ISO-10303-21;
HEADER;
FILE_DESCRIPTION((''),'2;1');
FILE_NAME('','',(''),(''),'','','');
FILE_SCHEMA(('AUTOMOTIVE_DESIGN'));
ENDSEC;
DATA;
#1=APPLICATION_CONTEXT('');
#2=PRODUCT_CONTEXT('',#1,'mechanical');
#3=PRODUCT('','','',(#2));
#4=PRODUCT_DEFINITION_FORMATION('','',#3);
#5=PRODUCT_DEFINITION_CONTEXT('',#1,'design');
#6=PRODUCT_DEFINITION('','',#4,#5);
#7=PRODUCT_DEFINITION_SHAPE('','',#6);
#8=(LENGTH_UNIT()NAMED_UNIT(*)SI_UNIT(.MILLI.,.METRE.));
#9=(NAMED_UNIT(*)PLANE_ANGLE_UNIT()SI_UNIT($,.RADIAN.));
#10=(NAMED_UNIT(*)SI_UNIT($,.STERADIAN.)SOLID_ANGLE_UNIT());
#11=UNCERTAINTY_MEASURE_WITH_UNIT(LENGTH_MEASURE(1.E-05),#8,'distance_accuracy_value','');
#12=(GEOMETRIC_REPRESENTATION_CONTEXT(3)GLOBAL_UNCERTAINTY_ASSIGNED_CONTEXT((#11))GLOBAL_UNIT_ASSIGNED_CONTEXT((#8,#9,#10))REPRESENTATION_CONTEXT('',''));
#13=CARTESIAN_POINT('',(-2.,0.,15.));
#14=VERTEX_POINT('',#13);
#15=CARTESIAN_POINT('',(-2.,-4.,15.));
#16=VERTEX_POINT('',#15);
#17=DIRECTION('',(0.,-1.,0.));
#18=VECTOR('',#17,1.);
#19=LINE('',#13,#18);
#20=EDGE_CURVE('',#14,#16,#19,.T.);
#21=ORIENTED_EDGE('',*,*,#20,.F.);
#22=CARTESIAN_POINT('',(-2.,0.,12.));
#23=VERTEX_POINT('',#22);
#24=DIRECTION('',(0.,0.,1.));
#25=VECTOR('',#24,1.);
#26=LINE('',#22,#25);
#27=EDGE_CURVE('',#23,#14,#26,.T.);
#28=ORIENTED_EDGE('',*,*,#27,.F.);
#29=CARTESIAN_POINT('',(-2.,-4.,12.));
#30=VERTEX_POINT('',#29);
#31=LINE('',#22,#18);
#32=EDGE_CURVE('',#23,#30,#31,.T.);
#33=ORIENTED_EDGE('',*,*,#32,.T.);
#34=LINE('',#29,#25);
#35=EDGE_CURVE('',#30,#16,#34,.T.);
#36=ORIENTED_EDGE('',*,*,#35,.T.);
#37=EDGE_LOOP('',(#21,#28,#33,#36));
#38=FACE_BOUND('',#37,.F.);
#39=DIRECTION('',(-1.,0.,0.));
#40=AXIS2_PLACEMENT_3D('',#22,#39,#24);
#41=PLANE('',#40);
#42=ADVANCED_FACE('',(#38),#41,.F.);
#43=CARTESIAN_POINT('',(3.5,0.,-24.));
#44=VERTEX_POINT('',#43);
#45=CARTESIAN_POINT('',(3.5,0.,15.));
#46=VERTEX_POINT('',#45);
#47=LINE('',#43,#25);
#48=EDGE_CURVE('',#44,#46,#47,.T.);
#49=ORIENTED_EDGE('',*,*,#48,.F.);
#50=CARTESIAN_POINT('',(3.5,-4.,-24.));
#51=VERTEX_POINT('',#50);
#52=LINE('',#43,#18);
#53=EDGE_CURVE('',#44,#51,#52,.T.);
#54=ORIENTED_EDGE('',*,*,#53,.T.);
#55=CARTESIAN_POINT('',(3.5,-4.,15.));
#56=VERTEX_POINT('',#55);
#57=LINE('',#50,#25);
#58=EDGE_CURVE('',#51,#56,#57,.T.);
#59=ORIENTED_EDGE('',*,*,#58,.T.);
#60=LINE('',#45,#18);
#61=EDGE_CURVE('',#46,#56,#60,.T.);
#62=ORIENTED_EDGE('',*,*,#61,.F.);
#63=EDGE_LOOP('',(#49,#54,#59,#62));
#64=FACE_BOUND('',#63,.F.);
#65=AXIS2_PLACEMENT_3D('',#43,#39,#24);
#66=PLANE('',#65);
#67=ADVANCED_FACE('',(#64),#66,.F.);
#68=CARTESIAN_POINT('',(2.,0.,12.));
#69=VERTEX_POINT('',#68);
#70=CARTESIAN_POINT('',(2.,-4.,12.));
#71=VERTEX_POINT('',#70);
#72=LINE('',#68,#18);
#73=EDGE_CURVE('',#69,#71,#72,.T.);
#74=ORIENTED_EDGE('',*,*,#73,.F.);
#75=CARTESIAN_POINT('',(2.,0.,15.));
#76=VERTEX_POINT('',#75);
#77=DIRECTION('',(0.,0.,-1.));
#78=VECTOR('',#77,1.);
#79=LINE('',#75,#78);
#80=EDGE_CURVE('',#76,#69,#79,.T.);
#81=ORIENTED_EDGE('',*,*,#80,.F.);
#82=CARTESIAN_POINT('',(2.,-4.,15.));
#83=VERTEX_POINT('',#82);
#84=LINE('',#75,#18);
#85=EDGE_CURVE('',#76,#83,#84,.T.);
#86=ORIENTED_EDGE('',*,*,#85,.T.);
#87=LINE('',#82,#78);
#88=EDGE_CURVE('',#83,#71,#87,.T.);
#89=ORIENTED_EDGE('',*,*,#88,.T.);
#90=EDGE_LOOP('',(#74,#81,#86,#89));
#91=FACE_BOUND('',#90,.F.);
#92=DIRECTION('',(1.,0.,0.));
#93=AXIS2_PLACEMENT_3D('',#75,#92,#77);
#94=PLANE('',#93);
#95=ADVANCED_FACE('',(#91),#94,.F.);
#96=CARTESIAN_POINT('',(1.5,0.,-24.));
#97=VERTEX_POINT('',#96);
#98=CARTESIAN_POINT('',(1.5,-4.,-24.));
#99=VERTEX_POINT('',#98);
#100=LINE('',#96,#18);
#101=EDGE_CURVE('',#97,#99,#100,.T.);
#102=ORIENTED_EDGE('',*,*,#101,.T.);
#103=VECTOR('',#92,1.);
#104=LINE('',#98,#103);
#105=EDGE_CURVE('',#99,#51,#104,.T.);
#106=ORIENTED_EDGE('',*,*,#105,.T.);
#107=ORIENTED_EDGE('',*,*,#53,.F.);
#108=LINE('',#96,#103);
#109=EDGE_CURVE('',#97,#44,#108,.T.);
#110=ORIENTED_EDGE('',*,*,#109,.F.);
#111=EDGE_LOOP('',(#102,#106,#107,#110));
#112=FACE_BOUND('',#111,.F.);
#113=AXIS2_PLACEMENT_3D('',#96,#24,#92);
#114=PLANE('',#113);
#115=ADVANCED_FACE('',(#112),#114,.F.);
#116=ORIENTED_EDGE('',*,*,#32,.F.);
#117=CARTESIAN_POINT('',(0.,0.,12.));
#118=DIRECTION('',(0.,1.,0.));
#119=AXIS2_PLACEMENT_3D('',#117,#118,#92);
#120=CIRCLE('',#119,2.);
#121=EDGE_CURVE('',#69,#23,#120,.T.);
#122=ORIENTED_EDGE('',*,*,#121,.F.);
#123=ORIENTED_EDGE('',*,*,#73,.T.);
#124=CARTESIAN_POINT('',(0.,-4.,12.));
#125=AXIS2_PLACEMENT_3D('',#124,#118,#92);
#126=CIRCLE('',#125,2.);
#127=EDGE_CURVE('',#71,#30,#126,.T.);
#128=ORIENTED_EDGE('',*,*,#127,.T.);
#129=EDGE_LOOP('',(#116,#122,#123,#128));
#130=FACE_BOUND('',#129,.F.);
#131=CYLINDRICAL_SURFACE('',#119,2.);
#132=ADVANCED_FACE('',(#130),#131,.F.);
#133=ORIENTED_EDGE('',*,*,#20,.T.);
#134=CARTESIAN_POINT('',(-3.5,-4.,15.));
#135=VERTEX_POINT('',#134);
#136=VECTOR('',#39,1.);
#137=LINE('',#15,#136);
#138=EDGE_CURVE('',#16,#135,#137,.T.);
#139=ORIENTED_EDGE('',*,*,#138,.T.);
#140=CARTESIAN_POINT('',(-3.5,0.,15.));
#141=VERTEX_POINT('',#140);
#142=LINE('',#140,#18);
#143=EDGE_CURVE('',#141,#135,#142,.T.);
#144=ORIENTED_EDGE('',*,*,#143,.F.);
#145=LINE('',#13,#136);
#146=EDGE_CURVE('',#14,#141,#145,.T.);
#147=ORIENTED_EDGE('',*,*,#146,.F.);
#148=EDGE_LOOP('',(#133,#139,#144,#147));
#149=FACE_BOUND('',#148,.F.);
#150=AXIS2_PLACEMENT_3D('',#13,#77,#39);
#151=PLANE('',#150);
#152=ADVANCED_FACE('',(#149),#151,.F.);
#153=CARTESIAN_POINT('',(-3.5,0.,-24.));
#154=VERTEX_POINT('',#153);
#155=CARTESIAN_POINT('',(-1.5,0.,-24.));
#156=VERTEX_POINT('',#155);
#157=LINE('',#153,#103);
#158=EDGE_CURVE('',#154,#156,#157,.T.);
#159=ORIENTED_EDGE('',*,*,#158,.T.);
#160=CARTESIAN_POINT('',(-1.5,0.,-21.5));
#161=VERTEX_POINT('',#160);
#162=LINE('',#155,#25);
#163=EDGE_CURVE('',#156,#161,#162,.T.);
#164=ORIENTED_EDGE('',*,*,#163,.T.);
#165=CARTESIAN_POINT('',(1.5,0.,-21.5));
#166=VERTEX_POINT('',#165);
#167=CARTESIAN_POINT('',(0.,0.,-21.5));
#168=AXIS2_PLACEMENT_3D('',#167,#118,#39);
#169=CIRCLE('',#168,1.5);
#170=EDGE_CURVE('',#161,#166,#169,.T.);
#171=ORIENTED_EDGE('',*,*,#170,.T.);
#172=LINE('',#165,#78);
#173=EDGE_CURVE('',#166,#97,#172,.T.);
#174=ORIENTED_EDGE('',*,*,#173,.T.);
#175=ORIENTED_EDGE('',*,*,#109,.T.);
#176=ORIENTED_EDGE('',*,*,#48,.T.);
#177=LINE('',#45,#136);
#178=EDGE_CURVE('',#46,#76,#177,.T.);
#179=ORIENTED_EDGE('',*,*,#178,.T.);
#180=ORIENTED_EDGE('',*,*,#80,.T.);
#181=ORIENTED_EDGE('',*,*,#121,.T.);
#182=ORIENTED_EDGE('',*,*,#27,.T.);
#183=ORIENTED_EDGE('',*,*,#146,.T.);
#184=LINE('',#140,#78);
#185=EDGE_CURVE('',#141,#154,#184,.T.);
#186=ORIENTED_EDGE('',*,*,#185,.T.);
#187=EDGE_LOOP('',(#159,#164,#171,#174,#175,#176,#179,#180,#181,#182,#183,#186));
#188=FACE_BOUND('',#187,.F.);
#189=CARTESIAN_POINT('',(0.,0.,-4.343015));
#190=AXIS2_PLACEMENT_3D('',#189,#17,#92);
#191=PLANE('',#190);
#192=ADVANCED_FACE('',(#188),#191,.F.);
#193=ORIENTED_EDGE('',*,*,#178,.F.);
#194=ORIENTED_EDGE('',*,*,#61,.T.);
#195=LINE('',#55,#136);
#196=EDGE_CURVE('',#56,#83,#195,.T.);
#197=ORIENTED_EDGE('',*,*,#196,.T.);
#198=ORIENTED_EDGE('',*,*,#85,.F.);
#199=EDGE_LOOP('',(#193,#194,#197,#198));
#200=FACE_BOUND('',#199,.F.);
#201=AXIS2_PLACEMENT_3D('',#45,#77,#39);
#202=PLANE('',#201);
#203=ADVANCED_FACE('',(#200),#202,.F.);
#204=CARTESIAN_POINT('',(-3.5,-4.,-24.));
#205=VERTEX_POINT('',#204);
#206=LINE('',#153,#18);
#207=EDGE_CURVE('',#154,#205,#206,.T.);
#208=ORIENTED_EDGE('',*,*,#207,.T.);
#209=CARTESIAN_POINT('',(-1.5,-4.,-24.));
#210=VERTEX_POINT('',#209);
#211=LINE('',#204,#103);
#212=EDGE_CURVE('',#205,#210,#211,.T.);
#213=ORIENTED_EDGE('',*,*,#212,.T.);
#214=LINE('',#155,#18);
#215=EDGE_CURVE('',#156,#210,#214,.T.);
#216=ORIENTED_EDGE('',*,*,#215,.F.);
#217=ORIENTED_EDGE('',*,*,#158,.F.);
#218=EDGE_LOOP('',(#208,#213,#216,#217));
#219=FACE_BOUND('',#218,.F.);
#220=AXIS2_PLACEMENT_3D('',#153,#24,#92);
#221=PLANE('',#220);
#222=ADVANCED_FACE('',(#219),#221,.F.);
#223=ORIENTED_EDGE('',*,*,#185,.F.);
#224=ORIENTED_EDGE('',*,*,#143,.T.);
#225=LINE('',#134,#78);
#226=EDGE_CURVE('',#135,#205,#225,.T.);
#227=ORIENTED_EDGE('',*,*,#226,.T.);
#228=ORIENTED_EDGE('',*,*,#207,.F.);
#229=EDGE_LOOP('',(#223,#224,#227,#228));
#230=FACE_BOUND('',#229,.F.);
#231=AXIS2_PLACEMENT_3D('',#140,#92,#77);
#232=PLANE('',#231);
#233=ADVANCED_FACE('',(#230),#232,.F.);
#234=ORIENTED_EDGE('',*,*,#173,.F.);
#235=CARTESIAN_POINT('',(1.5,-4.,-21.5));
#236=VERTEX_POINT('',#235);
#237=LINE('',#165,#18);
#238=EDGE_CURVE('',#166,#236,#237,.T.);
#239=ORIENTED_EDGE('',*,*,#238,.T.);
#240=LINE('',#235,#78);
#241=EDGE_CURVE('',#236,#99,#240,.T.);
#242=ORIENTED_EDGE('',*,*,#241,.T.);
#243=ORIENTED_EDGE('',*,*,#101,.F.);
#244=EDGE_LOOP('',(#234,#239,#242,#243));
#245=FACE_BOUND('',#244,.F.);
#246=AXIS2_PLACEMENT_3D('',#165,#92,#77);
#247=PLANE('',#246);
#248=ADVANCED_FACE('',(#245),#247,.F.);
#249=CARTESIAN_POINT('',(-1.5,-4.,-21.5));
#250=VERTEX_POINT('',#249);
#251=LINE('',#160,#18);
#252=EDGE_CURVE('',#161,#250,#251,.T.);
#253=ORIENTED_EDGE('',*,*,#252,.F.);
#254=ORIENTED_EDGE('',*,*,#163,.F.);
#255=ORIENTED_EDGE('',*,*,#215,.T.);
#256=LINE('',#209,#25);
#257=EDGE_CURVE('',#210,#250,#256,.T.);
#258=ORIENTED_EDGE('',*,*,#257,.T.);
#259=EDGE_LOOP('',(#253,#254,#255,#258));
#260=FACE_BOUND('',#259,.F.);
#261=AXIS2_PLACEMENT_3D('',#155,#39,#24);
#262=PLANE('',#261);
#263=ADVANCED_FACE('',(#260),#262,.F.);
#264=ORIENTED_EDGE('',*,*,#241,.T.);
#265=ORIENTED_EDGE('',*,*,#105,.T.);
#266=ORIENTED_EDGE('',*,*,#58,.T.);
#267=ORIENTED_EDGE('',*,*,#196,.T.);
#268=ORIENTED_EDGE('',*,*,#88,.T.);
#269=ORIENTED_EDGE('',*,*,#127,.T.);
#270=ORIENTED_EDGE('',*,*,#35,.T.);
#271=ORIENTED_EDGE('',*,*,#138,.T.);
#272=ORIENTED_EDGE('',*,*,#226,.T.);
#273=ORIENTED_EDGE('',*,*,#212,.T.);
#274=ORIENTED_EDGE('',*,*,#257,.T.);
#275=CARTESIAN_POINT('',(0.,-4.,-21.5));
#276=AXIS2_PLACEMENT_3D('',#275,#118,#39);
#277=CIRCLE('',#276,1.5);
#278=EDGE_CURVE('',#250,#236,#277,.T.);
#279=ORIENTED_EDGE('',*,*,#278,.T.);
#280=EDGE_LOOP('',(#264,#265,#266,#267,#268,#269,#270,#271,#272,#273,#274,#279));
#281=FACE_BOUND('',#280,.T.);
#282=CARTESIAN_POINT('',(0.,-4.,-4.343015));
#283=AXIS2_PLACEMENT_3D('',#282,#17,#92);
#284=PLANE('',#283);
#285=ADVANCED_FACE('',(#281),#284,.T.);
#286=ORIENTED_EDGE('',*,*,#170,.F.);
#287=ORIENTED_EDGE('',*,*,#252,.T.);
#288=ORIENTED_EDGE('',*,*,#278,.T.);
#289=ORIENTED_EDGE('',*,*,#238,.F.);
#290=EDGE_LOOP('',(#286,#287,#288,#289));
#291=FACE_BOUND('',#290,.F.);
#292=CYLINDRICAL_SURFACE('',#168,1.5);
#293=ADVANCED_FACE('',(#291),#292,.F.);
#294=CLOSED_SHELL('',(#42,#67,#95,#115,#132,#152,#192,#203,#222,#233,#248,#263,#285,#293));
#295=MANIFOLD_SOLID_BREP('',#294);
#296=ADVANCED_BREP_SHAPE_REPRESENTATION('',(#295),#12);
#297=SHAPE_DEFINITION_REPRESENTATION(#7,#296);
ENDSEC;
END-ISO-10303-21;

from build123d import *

# Parameters (mm, degrees)
F1_DEPTH = 4


with BuildPart() as f1:
    # F0 (on Front) → F1 (new body)
    with BuildSketch(Plane.XZ):
        with BuildLine():
            Line((2, 15), (2, 12))
            ThreePointArc((2, 12), (0, 10), (-2, 12))
            Line((-2, 12), (-2, 15))
            Line((-2, 15), (-3.5, 15))
            Line((-3.5, 15), (-3.5, 0))
            Line((-3.5, 0), (-3.5, -24))
            Line((-3.5, -24), (-1.5, -24))
            Line((-1.5, -24), (-1.5, -21.5))
            ThreePointArc((-1.5, -21.5), (0, -20), (1.5, -21.5))
            Line((1.5, -21.5), (1.5, -24))
            Line((1.5, -24), (3.5, -24))
            Line((3.5, -24), (3.5, 15))
            Line((3.5, 15), (2, 15))
        make_face()
    extrude(amount=F1_DEPTH)


solid = f1.part
